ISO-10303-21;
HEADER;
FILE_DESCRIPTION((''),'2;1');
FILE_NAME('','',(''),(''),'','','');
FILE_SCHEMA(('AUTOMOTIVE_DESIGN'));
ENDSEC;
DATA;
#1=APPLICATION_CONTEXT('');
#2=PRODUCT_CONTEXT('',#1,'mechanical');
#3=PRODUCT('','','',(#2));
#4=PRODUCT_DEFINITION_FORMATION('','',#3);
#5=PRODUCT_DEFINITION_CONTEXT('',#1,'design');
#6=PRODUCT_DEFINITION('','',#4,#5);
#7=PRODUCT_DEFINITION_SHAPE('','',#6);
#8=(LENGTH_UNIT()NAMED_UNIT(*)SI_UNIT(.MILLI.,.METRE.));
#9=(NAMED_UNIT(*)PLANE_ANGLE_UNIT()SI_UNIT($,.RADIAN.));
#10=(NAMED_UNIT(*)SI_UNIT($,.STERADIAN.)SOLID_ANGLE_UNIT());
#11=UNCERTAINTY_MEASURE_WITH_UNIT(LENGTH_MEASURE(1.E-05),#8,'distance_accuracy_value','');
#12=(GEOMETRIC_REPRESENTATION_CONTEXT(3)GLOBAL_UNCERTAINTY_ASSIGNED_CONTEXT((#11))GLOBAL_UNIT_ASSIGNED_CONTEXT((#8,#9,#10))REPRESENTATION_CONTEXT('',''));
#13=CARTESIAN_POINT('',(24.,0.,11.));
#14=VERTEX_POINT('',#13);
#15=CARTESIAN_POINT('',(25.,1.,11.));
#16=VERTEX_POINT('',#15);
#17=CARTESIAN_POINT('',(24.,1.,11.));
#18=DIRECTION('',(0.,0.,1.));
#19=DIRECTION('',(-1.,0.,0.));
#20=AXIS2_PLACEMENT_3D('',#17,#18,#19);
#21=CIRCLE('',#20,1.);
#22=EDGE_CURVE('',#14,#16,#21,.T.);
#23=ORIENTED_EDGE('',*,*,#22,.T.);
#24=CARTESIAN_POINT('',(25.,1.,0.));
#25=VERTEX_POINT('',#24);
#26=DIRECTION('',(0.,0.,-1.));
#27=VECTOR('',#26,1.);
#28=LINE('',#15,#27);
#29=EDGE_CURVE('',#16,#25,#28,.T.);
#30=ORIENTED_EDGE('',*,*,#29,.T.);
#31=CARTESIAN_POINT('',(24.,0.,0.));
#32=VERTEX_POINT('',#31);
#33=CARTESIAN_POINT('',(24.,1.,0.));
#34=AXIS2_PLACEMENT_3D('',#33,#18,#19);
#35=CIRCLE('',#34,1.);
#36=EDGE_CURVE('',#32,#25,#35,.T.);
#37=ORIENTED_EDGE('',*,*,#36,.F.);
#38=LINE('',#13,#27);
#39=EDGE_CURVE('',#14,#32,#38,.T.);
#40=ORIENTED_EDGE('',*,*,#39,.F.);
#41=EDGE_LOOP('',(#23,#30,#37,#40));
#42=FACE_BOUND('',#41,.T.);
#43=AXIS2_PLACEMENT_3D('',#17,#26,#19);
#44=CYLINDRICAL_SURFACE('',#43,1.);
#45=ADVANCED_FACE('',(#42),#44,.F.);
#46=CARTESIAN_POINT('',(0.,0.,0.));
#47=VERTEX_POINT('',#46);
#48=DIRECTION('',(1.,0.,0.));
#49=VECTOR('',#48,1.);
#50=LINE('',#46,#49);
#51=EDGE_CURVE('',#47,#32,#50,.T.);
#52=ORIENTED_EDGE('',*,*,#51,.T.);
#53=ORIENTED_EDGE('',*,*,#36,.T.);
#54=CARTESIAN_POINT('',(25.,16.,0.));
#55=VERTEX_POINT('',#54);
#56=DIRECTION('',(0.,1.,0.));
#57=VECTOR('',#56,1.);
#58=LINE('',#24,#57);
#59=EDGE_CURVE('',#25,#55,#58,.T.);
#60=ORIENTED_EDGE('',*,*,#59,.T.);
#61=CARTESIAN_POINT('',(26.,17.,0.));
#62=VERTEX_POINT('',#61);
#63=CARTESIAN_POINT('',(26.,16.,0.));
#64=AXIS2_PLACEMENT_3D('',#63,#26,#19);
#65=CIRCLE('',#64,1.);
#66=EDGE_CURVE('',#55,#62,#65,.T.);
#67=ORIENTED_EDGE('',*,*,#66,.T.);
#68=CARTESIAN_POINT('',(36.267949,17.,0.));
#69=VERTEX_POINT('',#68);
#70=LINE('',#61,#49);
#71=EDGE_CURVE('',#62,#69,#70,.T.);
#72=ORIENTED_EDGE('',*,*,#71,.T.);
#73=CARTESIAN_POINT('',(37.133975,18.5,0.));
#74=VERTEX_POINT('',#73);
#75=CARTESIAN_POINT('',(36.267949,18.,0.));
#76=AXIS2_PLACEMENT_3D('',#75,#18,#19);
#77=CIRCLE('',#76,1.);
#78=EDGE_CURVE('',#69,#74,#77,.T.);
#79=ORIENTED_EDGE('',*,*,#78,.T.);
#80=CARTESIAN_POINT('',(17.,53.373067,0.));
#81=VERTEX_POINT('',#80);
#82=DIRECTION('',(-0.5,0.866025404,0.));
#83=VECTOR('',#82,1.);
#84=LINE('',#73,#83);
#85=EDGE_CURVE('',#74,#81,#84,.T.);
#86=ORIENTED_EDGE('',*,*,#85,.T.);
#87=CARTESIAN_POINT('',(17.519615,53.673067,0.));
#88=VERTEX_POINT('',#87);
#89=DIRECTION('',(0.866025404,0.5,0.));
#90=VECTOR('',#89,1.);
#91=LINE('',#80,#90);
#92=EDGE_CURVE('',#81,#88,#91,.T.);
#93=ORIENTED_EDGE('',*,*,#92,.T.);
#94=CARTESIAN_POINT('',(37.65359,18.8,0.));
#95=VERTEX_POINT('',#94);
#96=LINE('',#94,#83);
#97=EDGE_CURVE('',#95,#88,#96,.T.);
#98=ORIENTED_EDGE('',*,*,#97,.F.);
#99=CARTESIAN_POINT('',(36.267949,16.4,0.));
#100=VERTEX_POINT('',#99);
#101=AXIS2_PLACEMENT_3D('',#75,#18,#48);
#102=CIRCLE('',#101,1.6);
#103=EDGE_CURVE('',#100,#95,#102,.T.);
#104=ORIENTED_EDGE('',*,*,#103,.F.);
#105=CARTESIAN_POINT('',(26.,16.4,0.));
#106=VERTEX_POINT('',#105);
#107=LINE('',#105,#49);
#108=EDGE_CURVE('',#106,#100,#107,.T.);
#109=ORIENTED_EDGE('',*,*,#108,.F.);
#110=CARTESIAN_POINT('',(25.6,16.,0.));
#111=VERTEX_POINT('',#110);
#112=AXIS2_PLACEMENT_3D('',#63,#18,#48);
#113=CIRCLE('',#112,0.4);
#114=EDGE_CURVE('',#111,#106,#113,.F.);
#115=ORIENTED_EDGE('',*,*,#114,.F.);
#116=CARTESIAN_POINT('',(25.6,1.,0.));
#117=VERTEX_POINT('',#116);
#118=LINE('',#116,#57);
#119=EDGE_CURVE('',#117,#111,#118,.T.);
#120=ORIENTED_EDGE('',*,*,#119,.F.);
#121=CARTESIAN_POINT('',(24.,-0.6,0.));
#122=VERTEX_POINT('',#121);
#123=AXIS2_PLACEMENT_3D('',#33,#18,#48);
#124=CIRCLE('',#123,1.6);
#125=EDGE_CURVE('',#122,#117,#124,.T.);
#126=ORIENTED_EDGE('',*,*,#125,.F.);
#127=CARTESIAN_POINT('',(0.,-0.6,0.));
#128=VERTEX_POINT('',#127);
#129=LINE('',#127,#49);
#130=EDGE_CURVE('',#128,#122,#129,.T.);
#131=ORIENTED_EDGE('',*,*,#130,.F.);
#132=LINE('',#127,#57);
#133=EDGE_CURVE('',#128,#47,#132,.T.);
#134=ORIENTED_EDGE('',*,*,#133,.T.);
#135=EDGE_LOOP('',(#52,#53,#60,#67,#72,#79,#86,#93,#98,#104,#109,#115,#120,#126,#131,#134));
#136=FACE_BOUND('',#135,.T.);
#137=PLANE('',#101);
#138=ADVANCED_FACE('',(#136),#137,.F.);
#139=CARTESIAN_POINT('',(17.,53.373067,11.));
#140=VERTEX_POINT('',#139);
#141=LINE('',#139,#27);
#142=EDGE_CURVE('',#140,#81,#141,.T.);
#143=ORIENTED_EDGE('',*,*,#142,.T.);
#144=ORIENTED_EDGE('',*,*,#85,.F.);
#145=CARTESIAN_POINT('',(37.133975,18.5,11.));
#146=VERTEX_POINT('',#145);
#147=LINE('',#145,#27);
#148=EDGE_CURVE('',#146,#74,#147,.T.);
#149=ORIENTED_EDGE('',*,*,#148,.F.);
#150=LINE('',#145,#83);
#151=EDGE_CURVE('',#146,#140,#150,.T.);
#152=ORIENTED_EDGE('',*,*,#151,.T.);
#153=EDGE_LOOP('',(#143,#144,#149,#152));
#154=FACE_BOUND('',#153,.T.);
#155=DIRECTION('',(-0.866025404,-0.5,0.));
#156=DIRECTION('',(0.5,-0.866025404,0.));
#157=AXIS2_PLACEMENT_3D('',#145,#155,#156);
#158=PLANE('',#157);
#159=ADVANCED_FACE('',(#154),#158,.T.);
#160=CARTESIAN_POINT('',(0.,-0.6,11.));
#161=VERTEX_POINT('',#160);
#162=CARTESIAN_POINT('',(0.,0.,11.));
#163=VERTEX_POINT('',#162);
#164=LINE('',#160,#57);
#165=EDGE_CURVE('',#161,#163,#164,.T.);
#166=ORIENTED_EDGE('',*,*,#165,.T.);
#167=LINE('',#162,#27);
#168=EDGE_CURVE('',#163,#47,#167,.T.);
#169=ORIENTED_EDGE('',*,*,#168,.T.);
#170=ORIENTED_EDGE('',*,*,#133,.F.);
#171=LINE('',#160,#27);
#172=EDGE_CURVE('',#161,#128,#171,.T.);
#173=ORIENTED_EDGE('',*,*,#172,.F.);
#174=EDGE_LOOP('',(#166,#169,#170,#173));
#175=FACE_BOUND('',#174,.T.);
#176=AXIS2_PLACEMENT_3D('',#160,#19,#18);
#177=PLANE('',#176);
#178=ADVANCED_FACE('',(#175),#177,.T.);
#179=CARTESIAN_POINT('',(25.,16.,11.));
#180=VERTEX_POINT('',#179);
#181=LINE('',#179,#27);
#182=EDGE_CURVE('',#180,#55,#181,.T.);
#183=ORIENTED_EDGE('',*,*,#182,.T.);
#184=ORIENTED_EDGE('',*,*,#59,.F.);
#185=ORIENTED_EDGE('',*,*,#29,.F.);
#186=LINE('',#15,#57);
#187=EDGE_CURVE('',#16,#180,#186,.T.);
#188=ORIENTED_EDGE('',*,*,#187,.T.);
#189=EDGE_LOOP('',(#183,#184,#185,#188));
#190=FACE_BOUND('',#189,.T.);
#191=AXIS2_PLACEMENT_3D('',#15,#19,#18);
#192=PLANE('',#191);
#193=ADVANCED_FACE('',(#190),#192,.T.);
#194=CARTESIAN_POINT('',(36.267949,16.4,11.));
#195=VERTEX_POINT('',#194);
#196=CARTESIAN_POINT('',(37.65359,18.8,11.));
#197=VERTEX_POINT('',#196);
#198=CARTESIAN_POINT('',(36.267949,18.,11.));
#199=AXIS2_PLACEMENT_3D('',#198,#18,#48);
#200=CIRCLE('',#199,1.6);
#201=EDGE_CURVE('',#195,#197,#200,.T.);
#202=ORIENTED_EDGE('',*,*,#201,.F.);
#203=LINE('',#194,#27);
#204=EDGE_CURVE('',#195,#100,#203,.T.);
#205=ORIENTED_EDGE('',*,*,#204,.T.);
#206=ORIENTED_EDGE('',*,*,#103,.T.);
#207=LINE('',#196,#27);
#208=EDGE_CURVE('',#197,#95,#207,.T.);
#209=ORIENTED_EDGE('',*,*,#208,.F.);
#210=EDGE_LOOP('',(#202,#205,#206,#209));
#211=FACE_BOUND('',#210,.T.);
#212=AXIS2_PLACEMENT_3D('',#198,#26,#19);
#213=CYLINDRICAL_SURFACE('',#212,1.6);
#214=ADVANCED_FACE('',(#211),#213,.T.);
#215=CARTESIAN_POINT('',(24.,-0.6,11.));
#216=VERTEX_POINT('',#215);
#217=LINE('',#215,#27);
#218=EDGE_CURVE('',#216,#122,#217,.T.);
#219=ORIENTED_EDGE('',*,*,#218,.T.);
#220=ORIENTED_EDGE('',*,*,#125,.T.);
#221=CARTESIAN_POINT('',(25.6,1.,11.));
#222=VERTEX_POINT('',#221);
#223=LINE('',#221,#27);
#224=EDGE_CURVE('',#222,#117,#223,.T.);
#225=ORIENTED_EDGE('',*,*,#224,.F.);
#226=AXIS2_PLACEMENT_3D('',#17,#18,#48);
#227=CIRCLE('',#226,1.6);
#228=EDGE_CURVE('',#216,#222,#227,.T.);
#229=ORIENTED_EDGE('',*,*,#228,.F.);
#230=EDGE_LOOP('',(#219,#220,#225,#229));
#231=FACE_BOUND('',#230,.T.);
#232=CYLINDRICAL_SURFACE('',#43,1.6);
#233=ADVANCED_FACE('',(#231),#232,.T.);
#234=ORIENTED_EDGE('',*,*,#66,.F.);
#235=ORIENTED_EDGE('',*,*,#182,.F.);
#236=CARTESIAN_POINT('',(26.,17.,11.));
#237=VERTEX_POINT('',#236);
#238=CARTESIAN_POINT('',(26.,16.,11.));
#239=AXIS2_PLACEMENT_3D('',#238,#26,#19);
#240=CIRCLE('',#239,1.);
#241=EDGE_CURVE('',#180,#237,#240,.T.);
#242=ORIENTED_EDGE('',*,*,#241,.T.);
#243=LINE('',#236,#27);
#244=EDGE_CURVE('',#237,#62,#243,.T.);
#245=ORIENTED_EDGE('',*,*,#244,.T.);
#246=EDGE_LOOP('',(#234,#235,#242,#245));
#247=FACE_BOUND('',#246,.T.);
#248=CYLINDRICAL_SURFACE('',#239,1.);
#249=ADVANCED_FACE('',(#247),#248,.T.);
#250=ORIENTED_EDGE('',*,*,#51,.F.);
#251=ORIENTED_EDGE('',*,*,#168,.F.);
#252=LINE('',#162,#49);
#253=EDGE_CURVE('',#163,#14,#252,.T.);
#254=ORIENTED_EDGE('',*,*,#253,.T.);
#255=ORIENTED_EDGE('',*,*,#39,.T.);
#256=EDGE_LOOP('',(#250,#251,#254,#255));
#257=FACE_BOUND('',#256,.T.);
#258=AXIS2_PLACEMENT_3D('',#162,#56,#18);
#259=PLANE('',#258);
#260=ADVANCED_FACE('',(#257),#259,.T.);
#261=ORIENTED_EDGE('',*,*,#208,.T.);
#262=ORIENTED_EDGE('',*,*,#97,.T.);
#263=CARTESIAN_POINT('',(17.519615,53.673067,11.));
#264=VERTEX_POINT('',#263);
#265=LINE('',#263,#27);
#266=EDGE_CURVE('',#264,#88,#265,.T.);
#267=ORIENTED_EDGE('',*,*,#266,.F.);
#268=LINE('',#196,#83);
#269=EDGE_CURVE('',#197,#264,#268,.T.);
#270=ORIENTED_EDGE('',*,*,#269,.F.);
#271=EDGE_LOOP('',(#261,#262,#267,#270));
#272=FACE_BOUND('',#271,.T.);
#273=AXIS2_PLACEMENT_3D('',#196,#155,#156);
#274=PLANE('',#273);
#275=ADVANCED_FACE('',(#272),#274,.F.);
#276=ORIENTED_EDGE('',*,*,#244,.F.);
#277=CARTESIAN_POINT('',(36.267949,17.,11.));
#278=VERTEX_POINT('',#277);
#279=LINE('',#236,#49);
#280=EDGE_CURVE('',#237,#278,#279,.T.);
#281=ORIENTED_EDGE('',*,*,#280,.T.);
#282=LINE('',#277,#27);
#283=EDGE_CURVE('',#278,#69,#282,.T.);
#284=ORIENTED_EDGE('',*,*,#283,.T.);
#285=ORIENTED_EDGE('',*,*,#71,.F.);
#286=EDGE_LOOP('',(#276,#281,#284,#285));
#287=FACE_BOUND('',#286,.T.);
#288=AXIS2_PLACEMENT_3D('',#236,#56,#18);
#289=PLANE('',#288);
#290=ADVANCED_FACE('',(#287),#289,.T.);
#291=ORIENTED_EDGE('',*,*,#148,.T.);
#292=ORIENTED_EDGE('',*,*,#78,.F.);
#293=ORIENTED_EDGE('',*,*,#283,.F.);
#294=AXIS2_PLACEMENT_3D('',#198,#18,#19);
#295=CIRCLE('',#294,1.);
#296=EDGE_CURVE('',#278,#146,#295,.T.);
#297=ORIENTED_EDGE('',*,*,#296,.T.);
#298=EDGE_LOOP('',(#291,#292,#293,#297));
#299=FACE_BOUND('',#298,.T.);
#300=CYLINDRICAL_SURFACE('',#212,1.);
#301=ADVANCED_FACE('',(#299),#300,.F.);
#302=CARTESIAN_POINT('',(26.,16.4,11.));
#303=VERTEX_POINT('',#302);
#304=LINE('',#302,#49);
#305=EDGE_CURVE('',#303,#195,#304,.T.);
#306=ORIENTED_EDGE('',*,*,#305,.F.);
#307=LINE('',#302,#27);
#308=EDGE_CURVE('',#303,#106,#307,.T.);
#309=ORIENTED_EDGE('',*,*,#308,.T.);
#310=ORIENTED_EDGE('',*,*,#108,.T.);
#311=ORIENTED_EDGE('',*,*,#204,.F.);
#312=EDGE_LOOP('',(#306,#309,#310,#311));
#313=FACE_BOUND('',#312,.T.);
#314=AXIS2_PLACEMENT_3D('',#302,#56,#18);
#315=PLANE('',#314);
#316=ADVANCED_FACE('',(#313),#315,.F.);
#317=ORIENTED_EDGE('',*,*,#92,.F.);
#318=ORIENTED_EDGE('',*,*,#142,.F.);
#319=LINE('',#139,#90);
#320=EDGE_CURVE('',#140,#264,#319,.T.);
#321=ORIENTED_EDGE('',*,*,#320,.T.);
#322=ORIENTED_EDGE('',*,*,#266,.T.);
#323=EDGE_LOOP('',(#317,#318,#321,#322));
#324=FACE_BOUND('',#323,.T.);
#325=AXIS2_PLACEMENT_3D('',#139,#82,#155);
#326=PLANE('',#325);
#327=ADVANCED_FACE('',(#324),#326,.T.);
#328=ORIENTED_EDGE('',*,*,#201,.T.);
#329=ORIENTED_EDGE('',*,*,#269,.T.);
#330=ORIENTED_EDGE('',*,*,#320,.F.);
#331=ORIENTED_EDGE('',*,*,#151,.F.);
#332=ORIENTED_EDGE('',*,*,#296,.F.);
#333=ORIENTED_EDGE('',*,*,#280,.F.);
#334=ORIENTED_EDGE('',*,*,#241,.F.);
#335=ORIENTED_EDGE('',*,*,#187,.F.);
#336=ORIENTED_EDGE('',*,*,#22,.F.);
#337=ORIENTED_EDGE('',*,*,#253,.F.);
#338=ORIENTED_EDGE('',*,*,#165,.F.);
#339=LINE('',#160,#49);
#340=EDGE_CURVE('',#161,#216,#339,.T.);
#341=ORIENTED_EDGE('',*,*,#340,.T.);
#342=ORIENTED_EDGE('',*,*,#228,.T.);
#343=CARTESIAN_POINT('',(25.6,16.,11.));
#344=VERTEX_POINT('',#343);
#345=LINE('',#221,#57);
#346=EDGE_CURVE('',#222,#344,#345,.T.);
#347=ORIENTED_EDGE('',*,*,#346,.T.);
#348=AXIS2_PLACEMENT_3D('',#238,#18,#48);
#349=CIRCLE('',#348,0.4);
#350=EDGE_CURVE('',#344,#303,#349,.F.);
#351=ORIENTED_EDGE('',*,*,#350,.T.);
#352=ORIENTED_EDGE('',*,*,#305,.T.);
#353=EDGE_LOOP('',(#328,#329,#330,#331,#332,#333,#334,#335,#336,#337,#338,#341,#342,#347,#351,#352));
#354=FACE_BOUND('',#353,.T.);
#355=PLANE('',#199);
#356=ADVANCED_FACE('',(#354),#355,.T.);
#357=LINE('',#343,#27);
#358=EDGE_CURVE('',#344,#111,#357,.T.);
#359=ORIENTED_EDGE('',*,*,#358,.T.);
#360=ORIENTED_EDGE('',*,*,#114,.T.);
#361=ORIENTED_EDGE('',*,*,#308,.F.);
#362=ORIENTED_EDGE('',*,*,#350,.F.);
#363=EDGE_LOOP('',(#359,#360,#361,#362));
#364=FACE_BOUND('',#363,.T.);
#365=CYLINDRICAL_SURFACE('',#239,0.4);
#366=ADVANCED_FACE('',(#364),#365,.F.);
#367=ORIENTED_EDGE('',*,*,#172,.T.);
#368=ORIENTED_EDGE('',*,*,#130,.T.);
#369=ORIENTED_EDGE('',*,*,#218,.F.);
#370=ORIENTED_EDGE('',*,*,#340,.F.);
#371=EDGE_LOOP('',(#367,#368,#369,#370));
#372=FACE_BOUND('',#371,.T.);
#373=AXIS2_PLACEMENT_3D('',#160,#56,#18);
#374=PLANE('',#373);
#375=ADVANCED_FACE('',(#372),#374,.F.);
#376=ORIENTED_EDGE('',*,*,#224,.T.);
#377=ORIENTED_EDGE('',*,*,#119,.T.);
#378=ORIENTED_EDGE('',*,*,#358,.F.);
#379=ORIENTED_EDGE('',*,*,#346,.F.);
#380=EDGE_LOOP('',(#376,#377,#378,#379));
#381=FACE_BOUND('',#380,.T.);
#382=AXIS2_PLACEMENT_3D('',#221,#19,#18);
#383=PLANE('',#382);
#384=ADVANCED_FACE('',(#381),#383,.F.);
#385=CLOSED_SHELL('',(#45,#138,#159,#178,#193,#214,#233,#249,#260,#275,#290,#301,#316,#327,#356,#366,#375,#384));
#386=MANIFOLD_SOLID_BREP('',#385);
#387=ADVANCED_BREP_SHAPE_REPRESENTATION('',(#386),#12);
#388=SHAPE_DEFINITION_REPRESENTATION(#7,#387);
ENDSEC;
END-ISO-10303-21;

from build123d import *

# Parameters (mm, degrees)
EXTRU_MINCE1_DEPTH = 11


with BuildPart() as part:
    # Esquisse1 → Extru.-Mince1 (new body)
    with BuildSketch(Plane.XY):
        with BuildLine():
            Line((0, 0), (24, 0))
            ThreePointArc((24, 0), (24.707106781, 0.292893219), (25, 1))
            Line((25, 1), (25, 16))
            ThreePointArc((25, 16), (25.292893219, 16.707106781), (26, 17))
            Line((26, 17), (36.267949192, 17))
            ThreePointArc((36.267949192, 17), (37.133974596, 17.5), (37.133974596, 18.5))
            Line((37.133974596, 18.5), (17, 53.373066959))
            Line((17, 53.373066959), (17.519615242, 53.673066959))
            Line((17.519615242, 53.673066959), (37.653589838, 18.8))
            ThreePointArc((37.653589838, 18.8), (37.653589838, 17.2), (36.267949192, 16.4))
            Line((36.267949192, 16.4), (26, 16.4))
            ThreePointArc((26, 16.4), (25.717157288, 16.282842712), (25.6, 16))
            Line((25.6, 16), (25.6, 1))
            ThreePointArc((25.6, 1), (25.13137085, -0.13137085), (24, -0.6))
            Line((24, -0.6), (0, -0.6))
            Line((0, -0.6), (0, 0))
        make_face()
    extrude(amount=EXTRU_MINCE1_DEPTH)


solid = part.part
